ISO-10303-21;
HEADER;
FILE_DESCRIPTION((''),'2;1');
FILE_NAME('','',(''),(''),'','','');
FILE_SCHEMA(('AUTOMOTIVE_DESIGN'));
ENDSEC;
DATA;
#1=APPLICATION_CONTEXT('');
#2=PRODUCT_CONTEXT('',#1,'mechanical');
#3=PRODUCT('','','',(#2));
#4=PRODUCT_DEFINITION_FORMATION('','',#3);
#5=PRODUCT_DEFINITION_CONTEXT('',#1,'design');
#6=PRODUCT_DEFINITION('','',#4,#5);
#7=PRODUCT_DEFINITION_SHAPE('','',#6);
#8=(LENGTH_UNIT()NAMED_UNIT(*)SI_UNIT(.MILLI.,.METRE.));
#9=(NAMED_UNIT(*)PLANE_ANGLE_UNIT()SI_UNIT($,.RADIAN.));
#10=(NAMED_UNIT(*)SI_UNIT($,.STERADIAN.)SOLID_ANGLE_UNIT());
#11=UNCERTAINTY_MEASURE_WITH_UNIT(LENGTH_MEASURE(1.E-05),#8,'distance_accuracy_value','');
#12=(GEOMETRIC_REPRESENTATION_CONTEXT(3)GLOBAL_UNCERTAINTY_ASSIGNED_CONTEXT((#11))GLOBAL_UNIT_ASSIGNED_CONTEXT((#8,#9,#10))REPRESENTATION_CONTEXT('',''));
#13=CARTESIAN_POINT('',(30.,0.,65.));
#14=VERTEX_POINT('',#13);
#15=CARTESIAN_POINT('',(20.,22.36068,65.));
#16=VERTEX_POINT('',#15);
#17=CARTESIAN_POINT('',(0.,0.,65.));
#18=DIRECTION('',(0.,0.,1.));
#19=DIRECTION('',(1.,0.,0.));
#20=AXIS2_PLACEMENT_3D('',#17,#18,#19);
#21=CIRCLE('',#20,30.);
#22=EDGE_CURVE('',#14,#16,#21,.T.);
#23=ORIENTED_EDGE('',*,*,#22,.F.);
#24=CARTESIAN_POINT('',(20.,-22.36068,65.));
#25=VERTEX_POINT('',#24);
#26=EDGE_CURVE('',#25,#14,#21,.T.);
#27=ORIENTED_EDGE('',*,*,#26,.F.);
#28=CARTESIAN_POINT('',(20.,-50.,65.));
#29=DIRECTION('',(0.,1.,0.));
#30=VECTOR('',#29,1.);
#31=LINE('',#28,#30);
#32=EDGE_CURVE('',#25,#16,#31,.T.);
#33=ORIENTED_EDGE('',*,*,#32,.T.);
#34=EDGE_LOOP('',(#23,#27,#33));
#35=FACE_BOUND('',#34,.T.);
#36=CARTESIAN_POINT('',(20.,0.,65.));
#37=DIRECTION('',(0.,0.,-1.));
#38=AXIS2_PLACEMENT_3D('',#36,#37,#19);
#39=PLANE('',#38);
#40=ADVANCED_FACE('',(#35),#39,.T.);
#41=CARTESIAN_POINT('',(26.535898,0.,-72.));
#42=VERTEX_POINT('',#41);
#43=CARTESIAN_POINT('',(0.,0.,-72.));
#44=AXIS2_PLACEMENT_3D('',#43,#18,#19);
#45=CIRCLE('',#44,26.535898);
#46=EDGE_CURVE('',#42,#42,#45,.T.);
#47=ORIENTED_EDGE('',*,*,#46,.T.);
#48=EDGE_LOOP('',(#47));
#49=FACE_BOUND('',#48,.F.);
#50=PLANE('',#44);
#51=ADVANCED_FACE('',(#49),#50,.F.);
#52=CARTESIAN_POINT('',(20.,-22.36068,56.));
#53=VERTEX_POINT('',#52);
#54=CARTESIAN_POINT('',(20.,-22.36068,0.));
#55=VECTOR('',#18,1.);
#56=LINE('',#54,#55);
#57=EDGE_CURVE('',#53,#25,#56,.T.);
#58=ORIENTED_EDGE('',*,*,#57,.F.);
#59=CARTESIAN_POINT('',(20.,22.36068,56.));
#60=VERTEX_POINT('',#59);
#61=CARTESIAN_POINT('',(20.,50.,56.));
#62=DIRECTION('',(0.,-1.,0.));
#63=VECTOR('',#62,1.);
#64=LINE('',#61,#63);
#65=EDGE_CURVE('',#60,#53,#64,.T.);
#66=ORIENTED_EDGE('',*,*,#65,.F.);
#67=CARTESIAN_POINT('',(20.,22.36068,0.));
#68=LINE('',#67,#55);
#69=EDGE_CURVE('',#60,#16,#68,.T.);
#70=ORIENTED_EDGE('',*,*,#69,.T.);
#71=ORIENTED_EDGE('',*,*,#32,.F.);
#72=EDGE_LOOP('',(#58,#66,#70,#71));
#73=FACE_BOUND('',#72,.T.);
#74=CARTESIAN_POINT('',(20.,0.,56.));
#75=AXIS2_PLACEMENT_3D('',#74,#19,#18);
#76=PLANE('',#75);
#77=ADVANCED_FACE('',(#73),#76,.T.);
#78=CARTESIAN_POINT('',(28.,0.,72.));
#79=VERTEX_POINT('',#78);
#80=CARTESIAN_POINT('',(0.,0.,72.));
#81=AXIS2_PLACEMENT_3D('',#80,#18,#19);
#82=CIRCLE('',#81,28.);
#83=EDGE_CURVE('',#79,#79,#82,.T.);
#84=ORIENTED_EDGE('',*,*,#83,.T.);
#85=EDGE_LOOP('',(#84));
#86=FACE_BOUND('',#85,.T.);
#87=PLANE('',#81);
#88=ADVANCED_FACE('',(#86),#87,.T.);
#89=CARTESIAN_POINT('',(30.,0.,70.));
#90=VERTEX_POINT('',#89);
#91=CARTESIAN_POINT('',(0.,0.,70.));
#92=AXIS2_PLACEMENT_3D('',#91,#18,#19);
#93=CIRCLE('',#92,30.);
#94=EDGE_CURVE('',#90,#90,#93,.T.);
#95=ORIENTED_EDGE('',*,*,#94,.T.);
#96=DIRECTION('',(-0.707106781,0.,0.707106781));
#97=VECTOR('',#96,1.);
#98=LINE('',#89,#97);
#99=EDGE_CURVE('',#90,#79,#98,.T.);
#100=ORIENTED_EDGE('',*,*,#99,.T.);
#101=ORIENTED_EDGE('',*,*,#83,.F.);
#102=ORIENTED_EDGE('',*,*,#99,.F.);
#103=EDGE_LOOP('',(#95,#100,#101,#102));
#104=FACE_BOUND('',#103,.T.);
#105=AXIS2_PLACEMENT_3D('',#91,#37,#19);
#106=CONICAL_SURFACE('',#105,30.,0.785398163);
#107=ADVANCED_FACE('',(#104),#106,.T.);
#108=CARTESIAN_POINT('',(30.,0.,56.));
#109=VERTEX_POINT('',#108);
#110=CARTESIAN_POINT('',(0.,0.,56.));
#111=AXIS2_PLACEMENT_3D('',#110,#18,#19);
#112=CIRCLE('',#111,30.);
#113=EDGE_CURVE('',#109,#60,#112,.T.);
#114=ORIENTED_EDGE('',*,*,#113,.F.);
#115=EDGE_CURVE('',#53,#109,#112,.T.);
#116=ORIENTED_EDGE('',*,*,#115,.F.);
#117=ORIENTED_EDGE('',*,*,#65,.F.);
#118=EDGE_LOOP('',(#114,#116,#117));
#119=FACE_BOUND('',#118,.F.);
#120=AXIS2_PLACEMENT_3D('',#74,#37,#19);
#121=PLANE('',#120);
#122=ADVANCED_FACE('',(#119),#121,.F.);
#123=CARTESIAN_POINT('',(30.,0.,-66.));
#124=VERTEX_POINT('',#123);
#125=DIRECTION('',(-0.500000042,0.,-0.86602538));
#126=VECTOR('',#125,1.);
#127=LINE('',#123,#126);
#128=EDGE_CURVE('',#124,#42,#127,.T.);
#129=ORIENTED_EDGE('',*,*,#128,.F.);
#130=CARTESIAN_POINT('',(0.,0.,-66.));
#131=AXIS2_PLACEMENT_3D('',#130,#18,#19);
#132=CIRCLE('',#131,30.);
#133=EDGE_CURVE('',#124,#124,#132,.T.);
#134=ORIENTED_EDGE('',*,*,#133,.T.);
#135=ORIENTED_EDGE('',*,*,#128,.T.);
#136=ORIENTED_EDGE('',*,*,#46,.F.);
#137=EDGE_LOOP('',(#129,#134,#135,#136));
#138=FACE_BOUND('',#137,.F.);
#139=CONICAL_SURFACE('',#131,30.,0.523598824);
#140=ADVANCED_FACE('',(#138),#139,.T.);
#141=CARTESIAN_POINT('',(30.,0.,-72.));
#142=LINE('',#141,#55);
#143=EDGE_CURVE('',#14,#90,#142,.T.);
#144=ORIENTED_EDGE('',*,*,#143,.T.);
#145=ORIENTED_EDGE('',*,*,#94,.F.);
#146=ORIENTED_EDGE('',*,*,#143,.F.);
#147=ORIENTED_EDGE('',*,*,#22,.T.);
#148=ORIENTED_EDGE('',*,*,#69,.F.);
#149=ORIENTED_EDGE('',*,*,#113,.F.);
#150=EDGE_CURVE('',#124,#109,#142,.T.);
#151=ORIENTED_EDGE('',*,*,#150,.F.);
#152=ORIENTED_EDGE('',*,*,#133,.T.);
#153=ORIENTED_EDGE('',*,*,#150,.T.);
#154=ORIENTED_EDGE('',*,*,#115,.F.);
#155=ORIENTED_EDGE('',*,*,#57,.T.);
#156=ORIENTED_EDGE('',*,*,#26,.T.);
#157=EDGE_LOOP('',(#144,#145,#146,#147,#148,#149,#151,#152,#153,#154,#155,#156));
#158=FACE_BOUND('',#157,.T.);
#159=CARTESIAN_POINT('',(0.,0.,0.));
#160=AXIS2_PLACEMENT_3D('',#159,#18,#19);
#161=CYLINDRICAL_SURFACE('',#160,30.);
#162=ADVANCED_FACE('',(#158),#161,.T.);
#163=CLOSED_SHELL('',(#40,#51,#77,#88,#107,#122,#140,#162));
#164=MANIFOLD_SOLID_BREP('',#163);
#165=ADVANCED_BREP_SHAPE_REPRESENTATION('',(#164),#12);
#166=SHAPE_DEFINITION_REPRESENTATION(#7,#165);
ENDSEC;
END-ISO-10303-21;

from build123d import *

# Parameters (mm, degrees)
F0_R     = 30
F1_DEPTH = 72
F2_SIZE  = 2
F3_SIZE2 = 3.464102
F3_SIZE  = 6
F4_W     = 15
F4_H     = 9
F5_DEPTH = 50


with BuildPart() as f1:
    # F0 (on Top) → F1 (new body, symmetric)
    with BuildSketch(Plane.XY):
        Circle(F0_R)
    extrude(amount=F1_DEPTH, both=True)

    # F2
    f2_edges = [f1.edges().sort_by_distance(p)[0] for p in [
        (-30, 0, 72),
    ]]
    chamfer(f2_edges, length=F2_SIZE)

    # F3
    f3_edges = [f1.edges().sort_by_distance(p)[0] for p in [
        (-30, 0, -72),
    ]]
    chamfer(f3_edges, length=F3_SIZE, length2=F3_SIZE2)

    # F4 (on Front) → F5 (cut, symmetric)
    with BuildSketch(Plane.XZ):
        with Locations((27.5, 60.5)):
            Rectangle(F4_W, F4_H)
    extrude(amount=F5_DEPTH, both=True, mode=Mode.SUBTRACT)


solid = f1.part
